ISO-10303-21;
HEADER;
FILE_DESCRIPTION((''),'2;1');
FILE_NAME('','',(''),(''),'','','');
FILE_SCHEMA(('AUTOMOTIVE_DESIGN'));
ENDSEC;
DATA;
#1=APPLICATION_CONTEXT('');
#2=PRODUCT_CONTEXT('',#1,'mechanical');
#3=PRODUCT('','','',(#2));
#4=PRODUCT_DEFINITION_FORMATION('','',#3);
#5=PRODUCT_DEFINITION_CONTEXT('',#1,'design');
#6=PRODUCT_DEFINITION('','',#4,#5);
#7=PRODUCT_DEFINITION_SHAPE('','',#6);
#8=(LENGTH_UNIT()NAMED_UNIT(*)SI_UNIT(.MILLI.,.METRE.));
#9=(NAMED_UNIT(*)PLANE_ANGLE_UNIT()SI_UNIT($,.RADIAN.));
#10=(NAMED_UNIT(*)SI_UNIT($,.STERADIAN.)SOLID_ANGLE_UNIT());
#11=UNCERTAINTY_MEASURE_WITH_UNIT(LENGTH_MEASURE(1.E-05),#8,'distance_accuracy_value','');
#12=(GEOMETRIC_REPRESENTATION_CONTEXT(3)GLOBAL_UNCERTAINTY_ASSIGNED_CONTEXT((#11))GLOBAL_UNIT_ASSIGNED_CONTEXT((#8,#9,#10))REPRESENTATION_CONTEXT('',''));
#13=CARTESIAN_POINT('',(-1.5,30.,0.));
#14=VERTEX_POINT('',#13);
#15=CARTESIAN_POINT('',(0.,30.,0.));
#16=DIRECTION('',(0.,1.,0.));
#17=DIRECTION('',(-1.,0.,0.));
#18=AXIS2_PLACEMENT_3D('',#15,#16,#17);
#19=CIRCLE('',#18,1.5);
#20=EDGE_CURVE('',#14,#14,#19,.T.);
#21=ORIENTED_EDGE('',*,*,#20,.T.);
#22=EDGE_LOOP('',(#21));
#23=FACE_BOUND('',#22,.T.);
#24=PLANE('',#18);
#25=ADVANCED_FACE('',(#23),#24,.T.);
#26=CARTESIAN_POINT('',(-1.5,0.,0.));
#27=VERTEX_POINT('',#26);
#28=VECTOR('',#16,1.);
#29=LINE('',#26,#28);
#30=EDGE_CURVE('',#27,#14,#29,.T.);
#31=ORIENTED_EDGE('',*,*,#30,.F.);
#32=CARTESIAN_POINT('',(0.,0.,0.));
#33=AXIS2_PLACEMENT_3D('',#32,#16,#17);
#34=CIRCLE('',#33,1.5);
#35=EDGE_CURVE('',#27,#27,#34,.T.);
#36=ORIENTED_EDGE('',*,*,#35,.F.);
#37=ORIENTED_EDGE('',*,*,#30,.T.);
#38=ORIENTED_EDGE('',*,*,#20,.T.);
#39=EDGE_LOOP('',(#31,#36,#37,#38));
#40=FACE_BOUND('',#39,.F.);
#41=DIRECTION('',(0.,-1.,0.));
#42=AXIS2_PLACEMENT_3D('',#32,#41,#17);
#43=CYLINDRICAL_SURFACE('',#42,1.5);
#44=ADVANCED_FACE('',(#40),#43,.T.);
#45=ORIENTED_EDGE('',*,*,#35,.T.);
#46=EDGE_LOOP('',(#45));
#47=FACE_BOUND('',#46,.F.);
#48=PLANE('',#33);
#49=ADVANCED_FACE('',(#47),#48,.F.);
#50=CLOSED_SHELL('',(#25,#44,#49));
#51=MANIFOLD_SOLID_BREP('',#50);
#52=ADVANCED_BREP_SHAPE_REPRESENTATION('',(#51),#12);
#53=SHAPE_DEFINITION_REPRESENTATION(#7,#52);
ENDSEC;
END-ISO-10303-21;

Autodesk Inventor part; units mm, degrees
ref_plane "YZ Plane" through (0, 0, 0) normal (1, 0, 0) x (0, 1, 0)
ref_plane "XZ Plane" through (0, 0, 0) normal (0, 1, 0) x (-1, 0, 0)
ref_plane "XY Plane" through (0, 0, 0) normal (0, 0, 1) x (1, 0, 0)
sketch "草圖1" plane through (0, 0, 0) normal (0, 1, 0) x (-1, 0, 0)
  circle A0 centre (0, 0) radius 1.5
  dimension "d0" = 3
extrude "擠出1" add sketch "草圖1" along normal blind 30
properties part number "m3_30"
